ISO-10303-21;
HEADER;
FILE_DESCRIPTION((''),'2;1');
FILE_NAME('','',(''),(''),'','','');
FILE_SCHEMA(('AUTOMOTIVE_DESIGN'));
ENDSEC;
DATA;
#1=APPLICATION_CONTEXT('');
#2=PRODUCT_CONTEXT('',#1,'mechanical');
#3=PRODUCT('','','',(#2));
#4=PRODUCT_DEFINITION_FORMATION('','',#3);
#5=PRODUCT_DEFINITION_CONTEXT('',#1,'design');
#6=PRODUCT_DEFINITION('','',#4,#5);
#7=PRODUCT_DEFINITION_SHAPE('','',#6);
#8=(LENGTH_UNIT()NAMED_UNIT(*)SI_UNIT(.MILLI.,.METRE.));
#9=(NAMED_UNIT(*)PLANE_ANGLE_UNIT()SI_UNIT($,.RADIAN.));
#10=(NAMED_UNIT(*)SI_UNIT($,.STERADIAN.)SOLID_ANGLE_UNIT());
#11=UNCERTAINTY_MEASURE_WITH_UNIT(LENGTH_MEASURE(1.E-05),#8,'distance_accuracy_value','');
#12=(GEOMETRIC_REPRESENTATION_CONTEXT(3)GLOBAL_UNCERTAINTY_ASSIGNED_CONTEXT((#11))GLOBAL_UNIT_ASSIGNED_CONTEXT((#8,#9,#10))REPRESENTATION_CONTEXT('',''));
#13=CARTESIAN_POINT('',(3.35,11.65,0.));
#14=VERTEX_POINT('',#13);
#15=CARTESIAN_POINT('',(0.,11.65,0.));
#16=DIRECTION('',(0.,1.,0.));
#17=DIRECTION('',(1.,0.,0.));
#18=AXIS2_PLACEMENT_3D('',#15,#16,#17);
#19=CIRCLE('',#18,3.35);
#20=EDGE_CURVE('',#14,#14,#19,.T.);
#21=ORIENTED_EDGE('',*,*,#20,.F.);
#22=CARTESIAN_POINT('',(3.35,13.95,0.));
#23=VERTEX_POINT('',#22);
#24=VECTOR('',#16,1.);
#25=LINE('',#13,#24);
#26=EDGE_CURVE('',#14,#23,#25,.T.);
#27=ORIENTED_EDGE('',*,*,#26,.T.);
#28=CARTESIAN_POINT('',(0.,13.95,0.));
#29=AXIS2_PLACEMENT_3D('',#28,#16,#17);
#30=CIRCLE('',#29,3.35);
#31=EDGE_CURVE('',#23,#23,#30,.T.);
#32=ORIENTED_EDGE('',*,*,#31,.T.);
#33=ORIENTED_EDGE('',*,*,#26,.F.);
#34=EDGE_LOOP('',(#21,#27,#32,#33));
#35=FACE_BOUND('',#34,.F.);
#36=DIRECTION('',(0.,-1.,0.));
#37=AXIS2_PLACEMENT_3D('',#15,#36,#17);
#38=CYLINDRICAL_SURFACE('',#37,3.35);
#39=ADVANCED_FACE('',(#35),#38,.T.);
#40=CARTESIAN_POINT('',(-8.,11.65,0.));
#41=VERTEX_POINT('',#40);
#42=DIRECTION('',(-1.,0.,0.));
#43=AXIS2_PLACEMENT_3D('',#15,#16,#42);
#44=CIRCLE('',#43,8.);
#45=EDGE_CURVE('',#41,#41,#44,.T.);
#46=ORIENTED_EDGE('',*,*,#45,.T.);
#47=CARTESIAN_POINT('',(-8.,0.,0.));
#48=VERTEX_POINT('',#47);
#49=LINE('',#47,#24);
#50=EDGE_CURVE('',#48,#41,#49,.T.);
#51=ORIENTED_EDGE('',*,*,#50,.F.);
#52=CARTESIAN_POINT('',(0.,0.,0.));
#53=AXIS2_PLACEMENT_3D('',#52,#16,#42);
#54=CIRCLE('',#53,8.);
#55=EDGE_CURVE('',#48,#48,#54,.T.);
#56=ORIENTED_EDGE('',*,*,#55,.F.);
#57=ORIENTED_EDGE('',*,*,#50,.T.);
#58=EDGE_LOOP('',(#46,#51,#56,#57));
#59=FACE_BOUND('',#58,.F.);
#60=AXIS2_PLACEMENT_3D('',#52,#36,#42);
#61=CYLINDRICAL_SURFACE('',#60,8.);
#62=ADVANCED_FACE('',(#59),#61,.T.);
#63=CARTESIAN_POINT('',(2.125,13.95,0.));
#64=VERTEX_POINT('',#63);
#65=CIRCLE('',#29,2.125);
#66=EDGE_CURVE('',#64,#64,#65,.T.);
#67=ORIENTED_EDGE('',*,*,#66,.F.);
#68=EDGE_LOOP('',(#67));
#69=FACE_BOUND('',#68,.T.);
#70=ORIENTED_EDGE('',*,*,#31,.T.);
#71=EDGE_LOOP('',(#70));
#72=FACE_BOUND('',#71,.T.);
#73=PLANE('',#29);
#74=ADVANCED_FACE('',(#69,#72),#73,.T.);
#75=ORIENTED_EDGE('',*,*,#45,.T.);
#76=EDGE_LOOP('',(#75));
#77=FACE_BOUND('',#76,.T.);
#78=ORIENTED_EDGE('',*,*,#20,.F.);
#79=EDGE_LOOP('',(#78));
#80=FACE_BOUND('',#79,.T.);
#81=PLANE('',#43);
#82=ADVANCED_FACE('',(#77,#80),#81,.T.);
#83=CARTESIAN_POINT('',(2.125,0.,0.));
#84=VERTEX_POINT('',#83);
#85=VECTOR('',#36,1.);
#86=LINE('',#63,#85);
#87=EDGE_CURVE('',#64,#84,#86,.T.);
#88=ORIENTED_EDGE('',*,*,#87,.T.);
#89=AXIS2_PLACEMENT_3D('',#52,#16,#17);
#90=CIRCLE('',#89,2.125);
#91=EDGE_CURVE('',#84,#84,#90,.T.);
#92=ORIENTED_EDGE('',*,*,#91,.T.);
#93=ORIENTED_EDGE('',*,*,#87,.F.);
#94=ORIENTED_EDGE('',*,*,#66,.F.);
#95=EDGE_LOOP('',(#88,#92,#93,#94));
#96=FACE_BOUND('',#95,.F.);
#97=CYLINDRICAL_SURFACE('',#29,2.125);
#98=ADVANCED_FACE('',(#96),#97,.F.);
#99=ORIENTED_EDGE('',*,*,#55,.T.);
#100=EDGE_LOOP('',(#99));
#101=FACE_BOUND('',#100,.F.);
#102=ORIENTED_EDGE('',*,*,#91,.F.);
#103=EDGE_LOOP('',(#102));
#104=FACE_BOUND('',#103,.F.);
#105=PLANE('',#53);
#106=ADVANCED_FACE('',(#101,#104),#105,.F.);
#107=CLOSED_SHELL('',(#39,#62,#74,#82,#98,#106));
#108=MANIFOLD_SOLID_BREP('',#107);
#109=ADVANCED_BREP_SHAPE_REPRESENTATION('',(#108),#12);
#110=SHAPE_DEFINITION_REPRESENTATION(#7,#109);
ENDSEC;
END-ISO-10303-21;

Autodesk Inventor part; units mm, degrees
ref_plane "YZ Plane" through (0, 0, 0) normal (1, 0, 0) x (0, 1, 0)
ref_plane "XZ Plane" through (0, 0, 0) normal (0, 1, 0) x (-1, 0, 0)
ref_plane "XY Plane" through (0, 0, 0) normal (0, 0, 1) x (1, 0, 0)
sketch "Sketch1" plane through (0, 0, 0) normal (0, 1, 0) x (-1, 0, 0)
  circle A0 centre (0, 0) radius 8
  dimension "d0" = 16
extrude "Extrusion1" add sketch "Sketch1" along normal blind 11.65
sketch "Sketch2" plane through (0, 11.65, 0) normal (0, 1, 0) x (1, 0, 0)
  circle A0 centre (0, 0) radius 3.35
  dimension "d3" = 6.7
extrude "Extrusion2" add sketch "Sketch2" along normal blind 2.3
sketch "Sketch3" plane through (0, 13.95, 0) normal (0, 1, 0) x (1, 0, 0)
  circle A0 centre (0, 0) radius 2.125
  dimension "d6" = 4.25
extrude "Extrusion3" cut sketch "Sketch3" against normal blind 14
properties part number "11.65mm"
